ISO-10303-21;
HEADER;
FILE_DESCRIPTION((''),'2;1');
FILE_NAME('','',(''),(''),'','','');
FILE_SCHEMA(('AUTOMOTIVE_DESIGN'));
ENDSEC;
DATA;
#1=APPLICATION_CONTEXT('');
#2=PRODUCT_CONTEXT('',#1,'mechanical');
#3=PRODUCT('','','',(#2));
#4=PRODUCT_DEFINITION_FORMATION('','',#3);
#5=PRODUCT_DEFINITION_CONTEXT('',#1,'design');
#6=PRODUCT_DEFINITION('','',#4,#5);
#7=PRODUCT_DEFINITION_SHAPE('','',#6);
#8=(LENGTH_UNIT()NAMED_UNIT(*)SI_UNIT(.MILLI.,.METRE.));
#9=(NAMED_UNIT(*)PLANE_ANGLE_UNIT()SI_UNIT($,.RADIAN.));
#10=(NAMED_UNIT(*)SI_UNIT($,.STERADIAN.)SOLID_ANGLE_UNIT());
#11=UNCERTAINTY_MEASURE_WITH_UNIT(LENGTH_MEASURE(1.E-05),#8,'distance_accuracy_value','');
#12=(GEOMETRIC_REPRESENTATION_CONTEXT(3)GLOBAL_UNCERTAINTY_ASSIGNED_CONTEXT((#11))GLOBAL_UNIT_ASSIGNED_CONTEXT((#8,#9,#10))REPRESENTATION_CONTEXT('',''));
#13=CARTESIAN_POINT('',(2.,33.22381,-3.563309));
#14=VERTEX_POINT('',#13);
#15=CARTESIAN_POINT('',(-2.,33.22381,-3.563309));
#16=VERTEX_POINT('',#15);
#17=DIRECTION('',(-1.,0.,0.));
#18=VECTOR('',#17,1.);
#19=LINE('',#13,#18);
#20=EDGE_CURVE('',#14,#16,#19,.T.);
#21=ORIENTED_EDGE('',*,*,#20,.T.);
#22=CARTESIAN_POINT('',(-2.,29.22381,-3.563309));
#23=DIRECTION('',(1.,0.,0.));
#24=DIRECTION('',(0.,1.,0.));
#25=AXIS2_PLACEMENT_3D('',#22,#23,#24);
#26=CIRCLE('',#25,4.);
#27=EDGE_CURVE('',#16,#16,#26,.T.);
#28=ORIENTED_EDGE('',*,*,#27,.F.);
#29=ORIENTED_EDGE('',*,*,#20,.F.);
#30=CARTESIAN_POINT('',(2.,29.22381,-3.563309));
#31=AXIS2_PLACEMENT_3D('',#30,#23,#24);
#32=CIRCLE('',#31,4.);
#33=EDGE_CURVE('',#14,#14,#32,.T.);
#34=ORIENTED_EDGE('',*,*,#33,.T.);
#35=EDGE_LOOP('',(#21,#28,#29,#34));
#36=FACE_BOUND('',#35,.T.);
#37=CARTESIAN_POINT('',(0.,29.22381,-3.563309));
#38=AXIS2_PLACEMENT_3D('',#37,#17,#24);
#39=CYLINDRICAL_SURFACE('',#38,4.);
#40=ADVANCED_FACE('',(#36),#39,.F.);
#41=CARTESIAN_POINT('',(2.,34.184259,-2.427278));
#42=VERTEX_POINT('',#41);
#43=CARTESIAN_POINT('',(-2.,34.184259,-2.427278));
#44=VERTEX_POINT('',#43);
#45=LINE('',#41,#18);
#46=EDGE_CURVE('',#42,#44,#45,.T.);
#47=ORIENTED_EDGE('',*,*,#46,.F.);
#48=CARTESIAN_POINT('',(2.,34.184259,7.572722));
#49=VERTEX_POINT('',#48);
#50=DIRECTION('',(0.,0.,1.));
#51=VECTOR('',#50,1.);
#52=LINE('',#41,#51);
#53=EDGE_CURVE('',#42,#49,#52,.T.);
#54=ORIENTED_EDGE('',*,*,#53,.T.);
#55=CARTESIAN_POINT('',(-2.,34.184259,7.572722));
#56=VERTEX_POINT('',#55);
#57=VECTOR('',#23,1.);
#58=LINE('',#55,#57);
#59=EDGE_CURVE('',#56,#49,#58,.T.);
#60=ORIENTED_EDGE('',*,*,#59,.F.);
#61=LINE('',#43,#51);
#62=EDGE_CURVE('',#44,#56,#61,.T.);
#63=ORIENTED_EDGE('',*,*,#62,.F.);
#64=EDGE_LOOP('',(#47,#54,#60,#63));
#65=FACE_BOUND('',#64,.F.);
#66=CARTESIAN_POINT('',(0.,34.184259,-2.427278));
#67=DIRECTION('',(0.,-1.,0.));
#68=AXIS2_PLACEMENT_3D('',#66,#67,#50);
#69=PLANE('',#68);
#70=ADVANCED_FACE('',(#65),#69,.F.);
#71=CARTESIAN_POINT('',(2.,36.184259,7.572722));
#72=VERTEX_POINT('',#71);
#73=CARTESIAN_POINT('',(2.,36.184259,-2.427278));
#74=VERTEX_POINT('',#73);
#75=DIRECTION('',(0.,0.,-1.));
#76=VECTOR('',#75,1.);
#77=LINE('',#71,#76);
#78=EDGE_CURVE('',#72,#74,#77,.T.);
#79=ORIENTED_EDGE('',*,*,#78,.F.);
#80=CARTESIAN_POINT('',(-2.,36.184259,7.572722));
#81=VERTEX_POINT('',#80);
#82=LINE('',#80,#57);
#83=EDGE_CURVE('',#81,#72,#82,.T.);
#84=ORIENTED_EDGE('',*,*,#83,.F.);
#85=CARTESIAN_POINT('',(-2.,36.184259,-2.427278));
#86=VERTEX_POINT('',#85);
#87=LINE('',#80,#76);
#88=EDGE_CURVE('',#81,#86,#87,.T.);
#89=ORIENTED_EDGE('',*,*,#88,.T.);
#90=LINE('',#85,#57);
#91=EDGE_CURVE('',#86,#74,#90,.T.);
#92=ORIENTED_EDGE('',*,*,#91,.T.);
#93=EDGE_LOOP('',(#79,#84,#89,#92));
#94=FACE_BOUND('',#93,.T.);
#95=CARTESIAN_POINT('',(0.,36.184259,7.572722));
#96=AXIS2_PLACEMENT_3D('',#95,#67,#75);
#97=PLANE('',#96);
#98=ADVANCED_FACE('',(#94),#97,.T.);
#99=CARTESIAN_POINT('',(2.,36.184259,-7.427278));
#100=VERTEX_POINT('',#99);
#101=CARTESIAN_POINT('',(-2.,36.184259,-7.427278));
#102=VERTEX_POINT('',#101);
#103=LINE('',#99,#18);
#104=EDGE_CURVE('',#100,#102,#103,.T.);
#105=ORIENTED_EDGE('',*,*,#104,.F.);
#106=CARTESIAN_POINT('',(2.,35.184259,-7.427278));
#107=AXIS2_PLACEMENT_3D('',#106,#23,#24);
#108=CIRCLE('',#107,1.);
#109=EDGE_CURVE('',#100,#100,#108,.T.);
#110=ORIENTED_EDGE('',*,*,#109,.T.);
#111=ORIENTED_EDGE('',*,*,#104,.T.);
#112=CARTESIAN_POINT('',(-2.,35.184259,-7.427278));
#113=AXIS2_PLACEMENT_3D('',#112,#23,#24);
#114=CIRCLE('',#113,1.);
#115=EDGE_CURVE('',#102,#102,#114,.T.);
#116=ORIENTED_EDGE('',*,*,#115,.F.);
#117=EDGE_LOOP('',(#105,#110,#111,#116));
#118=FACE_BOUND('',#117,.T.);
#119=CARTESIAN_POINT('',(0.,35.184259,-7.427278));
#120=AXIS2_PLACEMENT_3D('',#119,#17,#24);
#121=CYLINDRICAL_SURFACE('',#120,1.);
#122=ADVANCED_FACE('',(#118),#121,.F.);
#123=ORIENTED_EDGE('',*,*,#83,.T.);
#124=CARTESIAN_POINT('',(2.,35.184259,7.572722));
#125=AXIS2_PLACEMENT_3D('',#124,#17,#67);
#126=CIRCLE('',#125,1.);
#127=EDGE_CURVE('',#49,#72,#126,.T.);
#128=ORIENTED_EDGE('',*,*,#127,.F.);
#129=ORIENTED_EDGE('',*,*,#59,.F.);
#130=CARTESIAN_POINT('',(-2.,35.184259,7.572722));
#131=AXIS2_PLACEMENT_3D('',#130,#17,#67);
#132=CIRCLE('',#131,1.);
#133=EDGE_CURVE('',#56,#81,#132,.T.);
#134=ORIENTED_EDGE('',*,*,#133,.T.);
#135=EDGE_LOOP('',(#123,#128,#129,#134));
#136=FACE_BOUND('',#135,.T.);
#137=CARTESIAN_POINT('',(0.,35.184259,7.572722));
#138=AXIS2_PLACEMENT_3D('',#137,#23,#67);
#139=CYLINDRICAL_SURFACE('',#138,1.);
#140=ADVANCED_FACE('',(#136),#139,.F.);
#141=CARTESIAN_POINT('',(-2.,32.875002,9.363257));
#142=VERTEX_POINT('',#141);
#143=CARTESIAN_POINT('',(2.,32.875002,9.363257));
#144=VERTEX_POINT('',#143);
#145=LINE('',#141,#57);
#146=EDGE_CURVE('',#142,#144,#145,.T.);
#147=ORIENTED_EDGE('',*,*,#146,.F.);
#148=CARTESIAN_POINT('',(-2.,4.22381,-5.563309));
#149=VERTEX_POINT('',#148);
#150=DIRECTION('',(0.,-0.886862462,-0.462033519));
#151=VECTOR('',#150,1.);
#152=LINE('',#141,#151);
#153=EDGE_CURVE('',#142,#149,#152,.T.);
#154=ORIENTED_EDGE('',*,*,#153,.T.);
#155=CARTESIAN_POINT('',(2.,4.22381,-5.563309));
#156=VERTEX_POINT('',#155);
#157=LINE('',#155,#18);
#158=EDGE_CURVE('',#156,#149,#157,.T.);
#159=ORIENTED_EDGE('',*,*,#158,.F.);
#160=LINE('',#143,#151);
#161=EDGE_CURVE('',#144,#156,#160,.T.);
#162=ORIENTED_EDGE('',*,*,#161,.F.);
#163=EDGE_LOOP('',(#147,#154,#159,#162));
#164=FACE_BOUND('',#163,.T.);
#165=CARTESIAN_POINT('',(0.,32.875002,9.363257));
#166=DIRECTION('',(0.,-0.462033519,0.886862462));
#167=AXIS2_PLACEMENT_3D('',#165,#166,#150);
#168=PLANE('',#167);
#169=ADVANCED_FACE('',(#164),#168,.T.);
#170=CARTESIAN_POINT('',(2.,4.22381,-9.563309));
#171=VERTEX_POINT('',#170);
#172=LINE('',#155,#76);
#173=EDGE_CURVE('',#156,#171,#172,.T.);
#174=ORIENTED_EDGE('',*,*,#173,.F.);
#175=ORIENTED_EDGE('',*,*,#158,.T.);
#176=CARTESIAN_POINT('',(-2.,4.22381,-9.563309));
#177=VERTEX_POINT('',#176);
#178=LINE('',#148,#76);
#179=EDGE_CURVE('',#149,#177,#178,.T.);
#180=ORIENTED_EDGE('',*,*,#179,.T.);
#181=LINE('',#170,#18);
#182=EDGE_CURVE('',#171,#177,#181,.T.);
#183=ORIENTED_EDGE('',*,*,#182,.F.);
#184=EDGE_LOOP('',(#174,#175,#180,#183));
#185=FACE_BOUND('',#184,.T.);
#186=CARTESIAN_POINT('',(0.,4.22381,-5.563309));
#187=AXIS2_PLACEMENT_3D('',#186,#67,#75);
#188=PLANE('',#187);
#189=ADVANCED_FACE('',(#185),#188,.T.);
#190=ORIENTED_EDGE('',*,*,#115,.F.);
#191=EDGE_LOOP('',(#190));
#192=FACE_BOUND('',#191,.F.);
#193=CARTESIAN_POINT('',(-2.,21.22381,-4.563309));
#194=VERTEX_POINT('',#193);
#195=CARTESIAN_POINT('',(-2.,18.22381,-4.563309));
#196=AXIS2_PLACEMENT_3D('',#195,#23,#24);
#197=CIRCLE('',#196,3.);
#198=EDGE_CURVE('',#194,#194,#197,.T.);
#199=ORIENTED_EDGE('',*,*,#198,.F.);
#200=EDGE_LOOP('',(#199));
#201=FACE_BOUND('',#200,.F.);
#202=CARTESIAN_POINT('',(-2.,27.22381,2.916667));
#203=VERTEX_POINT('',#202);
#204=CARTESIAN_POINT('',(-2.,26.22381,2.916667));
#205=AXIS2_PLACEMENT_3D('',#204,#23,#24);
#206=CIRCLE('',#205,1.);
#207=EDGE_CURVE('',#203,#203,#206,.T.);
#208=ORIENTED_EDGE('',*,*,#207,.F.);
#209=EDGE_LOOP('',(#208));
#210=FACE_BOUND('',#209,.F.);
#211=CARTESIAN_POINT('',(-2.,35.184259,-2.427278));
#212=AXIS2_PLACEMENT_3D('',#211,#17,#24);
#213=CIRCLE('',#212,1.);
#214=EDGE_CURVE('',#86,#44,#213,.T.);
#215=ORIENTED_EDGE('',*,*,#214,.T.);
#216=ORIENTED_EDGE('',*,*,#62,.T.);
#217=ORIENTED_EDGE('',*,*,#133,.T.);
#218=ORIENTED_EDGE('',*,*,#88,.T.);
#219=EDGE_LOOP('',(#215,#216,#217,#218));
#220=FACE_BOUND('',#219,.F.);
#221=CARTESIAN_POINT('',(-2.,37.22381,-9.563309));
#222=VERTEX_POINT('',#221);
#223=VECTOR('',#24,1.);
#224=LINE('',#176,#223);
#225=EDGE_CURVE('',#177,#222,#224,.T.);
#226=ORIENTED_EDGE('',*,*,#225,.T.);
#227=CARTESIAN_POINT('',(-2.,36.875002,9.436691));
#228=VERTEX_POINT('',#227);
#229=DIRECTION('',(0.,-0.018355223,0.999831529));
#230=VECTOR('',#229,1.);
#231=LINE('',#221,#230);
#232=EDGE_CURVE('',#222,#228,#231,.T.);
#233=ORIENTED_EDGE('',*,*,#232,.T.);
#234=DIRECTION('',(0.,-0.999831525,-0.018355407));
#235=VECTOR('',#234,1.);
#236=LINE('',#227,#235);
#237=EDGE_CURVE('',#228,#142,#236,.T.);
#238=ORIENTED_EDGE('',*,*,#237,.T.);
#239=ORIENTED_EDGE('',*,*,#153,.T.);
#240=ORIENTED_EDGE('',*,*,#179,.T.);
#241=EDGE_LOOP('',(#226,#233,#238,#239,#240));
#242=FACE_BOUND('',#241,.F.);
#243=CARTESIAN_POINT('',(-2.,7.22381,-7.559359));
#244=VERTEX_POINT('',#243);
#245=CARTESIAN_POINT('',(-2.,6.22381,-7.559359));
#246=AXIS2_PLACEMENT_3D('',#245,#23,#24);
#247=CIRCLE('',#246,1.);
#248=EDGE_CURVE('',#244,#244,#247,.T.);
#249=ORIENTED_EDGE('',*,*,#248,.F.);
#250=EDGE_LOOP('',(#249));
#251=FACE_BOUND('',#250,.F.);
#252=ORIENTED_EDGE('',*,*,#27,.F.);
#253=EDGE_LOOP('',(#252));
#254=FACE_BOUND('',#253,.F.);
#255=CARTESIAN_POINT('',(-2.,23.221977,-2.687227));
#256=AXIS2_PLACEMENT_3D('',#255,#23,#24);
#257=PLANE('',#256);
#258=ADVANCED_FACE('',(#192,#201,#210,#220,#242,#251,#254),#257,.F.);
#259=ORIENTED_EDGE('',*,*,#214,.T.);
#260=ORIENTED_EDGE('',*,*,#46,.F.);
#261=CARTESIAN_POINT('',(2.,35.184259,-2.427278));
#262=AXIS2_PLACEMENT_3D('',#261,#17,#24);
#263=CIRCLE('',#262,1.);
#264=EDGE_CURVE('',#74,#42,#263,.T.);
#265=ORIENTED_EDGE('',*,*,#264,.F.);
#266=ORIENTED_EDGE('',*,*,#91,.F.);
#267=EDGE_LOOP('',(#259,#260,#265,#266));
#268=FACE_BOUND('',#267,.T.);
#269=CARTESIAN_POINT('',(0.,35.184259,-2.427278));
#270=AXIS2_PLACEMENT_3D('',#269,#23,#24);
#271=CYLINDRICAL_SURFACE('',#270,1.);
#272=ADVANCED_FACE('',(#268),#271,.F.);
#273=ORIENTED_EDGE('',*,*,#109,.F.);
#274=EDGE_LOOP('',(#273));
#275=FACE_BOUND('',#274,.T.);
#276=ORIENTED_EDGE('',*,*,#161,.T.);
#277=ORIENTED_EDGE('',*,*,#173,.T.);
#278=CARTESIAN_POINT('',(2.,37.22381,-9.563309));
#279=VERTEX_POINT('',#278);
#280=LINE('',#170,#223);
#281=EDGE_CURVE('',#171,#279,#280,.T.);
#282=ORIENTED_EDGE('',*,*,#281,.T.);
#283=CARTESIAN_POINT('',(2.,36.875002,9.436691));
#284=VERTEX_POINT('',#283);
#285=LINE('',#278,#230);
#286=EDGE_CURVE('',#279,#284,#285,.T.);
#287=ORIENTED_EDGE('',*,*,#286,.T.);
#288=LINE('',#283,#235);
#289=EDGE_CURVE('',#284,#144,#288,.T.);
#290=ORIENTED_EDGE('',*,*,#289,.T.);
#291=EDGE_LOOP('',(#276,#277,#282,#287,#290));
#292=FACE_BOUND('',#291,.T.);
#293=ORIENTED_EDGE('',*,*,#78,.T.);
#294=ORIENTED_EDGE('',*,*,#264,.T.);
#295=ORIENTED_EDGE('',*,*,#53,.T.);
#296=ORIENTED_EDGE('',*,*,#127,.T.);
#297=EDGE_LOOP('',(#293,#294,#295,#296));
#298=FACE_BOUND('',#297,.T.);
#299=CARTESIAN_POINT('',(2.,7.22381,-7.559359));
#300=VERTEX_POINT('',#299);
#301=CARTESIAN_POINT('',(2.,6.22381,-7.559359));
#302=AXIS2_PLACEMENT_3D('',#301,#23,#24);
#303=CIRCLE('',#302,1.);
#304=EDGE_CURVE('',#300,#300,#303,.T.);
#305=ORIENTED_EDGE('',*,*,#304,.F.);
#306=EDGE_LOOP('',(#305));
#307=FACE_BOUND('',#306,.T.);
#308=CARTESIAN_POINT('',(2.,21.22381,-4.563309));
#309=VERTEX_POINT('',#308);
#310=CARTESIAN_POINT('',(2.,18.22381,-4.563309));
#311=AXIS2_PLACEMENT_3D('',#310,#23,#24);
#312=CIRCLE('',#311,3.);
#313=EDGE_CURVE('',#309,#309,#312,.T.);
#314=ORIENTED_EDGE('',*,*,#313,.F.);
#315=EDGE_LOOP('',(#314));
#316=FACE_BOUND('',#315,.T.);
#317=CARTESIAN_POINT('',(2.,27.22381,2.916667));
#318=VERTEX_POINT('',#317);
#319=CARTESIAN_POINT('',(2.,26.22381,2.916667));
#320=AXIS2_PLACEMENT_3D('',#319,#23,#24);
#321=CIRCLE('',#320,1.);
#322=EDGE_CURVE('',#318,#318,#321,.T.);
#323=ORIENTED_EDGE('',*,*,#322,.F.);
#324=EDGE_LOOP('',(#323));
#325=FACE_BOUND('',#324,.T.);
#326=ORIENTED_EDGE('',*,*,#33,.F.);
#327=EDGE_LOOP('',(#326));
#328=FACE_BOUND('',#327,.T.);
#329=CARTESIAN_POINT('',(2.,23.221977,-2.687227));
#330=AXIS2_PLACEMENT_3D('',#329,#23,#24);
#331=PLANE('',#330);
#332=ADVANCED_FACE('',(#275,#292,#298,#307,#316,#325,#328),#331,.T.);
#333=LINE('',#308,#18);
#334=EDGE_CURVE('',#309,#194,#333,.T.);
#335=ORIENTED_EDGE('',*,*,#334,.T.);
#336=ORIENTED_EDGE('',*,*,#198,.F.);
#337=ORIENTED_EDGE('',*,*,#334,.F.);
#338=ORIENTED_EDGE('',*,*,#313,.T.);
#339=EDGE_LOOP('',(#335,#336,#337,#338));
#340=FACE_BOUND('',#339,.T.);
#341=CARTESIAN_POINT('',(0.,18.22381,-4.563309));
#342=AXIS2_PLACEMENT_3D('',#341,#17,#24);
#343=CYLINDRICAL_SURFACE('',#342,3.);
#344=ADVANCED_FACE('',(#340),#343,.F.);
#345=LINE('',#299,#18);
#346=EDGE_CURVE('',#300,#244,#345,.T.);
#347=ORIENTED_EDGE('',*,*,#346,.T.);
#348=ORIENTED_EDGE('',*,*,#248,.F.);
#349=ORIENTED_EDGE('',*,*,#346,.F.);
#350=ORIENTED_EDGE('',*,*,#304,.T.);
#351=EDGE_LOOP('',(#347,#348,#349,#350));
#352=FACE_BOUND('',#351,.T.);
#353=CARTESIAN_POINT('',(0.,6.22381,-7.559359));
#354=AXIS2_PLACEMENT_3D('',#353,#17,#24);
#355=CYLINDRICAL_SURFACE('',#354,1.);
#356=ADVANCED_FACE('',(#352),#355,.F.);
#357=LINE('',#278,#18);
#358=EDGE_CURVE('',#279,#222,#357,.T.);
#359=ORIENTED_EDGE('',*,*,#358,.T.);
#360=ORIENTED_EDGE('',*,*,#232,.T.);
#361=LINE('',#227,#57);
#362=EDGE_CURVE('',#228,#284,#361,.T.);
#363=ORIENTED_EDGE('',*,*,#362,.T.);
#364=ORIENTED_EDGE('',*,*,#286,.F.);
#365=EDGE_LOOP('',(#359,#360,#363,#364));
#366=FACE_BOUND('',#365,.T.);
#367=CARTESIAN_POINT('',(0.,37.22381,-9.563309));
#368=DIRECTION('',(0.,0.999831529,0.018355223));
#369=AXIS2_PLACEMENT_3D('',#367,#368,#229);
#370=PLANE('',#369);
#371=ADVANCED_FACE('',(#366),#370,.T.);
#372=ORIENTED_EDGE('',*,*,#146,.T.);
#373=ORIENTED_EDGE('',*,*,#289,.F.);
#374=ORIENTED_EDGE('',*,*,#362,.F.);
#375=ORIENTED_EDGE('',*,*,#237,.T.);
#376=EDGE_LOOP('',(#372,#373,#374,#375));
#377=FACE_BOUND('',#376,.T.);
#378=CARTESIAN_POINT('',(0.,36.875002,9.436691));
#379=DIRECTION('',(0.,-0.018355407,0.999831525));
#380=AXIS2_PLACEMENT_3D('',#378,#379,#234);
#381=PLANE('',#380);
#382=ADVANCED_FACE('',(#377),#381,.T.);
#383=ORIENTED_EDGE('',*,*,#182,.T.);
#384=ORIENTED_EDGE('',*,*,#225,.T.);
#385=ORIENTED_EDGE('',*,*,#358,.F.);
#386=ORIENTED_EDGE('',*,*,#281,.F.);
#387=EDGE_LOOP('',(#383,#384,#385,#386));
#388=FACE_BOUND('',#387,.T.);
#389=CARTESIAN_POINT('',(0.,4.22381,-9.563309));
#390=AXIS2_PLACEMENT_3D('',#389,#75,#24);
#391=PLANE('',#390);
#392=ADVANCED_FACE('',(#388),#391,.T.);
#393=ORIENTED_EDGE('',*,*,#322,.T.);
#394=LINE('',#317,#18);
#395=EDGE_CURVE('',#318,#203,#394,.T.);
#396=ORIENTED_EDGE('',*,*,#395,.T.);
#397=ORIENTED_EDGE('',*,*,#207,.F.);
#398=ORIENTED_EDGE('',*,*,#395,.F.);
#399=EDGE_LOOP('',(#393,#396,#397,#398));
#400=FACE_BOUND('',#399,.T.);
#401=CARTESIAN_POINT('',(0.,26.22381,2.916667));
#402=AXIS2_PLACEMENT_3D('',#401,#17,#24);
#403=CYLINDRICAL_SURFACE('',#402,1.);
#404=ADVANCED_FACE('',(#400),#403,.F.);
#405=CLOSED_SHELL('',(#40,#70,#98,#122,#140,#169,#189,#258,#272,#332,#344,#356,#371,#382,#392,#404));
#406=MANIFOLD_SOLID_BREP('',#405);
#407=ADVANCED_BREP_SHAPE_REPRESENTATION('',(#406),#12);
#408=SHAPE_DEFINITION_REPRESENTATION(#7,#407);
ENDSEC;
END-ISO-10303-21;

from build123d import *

# Parameters (mm, degrees)
F0_R     = 1
F0_R_2   = 3
F0_R_3   = 4
F1_DEPTH = 2


with BuildPart() as f1:
    # F0 (on Right) → F1 (new body, symmetric)
    with BuildSketch(Plane.YZ):
        Polygon((37.22381, -9.563309), (36.875002, 9.436691), (32.875002, 9.363257), (4.22381, -5.563309), (4.22381, -9.563309), align=None)
        with Locations((6.22381, -7.559359)):
            Circle(F0_R, mode=Mode.SUBTRACT)
        with Locations((18.22381, -4.563309)):
            Circle(F0_R_2, mode=Mode.SUBTRACT)
        with Locations((35.184259, -7.427278)):
            Circle(F0_R, mode=Mode.SUBTRACT)
        with Locations((29.22381, -3.563309)):
            Circle(F0_R_3, mode=Mode.SUBTRACT)
        with Locations((26.22381, 2.916667)):
            Circle(F0_R, mode=Mode.SUBTRACT)
        with BuildLine():
            Line((34.184259, -2.427278), (34.184259, 7.572722))
            ThreePointArc((34.184259, 7.572722), (35.184259, 8.572722), (36.184259, 7.572722))
            Line((36.184259, 7.572722), (36.184259, -2.427278))
            ThreePointArc((36.184259, -2.427278), (35.184259, -3.427278), (34.184259, -2.427278))
        make_face(mode=Mode.SUBTRACT)
    extrude(amount=F1_DEPTH, both=True)


solid = f1.part
